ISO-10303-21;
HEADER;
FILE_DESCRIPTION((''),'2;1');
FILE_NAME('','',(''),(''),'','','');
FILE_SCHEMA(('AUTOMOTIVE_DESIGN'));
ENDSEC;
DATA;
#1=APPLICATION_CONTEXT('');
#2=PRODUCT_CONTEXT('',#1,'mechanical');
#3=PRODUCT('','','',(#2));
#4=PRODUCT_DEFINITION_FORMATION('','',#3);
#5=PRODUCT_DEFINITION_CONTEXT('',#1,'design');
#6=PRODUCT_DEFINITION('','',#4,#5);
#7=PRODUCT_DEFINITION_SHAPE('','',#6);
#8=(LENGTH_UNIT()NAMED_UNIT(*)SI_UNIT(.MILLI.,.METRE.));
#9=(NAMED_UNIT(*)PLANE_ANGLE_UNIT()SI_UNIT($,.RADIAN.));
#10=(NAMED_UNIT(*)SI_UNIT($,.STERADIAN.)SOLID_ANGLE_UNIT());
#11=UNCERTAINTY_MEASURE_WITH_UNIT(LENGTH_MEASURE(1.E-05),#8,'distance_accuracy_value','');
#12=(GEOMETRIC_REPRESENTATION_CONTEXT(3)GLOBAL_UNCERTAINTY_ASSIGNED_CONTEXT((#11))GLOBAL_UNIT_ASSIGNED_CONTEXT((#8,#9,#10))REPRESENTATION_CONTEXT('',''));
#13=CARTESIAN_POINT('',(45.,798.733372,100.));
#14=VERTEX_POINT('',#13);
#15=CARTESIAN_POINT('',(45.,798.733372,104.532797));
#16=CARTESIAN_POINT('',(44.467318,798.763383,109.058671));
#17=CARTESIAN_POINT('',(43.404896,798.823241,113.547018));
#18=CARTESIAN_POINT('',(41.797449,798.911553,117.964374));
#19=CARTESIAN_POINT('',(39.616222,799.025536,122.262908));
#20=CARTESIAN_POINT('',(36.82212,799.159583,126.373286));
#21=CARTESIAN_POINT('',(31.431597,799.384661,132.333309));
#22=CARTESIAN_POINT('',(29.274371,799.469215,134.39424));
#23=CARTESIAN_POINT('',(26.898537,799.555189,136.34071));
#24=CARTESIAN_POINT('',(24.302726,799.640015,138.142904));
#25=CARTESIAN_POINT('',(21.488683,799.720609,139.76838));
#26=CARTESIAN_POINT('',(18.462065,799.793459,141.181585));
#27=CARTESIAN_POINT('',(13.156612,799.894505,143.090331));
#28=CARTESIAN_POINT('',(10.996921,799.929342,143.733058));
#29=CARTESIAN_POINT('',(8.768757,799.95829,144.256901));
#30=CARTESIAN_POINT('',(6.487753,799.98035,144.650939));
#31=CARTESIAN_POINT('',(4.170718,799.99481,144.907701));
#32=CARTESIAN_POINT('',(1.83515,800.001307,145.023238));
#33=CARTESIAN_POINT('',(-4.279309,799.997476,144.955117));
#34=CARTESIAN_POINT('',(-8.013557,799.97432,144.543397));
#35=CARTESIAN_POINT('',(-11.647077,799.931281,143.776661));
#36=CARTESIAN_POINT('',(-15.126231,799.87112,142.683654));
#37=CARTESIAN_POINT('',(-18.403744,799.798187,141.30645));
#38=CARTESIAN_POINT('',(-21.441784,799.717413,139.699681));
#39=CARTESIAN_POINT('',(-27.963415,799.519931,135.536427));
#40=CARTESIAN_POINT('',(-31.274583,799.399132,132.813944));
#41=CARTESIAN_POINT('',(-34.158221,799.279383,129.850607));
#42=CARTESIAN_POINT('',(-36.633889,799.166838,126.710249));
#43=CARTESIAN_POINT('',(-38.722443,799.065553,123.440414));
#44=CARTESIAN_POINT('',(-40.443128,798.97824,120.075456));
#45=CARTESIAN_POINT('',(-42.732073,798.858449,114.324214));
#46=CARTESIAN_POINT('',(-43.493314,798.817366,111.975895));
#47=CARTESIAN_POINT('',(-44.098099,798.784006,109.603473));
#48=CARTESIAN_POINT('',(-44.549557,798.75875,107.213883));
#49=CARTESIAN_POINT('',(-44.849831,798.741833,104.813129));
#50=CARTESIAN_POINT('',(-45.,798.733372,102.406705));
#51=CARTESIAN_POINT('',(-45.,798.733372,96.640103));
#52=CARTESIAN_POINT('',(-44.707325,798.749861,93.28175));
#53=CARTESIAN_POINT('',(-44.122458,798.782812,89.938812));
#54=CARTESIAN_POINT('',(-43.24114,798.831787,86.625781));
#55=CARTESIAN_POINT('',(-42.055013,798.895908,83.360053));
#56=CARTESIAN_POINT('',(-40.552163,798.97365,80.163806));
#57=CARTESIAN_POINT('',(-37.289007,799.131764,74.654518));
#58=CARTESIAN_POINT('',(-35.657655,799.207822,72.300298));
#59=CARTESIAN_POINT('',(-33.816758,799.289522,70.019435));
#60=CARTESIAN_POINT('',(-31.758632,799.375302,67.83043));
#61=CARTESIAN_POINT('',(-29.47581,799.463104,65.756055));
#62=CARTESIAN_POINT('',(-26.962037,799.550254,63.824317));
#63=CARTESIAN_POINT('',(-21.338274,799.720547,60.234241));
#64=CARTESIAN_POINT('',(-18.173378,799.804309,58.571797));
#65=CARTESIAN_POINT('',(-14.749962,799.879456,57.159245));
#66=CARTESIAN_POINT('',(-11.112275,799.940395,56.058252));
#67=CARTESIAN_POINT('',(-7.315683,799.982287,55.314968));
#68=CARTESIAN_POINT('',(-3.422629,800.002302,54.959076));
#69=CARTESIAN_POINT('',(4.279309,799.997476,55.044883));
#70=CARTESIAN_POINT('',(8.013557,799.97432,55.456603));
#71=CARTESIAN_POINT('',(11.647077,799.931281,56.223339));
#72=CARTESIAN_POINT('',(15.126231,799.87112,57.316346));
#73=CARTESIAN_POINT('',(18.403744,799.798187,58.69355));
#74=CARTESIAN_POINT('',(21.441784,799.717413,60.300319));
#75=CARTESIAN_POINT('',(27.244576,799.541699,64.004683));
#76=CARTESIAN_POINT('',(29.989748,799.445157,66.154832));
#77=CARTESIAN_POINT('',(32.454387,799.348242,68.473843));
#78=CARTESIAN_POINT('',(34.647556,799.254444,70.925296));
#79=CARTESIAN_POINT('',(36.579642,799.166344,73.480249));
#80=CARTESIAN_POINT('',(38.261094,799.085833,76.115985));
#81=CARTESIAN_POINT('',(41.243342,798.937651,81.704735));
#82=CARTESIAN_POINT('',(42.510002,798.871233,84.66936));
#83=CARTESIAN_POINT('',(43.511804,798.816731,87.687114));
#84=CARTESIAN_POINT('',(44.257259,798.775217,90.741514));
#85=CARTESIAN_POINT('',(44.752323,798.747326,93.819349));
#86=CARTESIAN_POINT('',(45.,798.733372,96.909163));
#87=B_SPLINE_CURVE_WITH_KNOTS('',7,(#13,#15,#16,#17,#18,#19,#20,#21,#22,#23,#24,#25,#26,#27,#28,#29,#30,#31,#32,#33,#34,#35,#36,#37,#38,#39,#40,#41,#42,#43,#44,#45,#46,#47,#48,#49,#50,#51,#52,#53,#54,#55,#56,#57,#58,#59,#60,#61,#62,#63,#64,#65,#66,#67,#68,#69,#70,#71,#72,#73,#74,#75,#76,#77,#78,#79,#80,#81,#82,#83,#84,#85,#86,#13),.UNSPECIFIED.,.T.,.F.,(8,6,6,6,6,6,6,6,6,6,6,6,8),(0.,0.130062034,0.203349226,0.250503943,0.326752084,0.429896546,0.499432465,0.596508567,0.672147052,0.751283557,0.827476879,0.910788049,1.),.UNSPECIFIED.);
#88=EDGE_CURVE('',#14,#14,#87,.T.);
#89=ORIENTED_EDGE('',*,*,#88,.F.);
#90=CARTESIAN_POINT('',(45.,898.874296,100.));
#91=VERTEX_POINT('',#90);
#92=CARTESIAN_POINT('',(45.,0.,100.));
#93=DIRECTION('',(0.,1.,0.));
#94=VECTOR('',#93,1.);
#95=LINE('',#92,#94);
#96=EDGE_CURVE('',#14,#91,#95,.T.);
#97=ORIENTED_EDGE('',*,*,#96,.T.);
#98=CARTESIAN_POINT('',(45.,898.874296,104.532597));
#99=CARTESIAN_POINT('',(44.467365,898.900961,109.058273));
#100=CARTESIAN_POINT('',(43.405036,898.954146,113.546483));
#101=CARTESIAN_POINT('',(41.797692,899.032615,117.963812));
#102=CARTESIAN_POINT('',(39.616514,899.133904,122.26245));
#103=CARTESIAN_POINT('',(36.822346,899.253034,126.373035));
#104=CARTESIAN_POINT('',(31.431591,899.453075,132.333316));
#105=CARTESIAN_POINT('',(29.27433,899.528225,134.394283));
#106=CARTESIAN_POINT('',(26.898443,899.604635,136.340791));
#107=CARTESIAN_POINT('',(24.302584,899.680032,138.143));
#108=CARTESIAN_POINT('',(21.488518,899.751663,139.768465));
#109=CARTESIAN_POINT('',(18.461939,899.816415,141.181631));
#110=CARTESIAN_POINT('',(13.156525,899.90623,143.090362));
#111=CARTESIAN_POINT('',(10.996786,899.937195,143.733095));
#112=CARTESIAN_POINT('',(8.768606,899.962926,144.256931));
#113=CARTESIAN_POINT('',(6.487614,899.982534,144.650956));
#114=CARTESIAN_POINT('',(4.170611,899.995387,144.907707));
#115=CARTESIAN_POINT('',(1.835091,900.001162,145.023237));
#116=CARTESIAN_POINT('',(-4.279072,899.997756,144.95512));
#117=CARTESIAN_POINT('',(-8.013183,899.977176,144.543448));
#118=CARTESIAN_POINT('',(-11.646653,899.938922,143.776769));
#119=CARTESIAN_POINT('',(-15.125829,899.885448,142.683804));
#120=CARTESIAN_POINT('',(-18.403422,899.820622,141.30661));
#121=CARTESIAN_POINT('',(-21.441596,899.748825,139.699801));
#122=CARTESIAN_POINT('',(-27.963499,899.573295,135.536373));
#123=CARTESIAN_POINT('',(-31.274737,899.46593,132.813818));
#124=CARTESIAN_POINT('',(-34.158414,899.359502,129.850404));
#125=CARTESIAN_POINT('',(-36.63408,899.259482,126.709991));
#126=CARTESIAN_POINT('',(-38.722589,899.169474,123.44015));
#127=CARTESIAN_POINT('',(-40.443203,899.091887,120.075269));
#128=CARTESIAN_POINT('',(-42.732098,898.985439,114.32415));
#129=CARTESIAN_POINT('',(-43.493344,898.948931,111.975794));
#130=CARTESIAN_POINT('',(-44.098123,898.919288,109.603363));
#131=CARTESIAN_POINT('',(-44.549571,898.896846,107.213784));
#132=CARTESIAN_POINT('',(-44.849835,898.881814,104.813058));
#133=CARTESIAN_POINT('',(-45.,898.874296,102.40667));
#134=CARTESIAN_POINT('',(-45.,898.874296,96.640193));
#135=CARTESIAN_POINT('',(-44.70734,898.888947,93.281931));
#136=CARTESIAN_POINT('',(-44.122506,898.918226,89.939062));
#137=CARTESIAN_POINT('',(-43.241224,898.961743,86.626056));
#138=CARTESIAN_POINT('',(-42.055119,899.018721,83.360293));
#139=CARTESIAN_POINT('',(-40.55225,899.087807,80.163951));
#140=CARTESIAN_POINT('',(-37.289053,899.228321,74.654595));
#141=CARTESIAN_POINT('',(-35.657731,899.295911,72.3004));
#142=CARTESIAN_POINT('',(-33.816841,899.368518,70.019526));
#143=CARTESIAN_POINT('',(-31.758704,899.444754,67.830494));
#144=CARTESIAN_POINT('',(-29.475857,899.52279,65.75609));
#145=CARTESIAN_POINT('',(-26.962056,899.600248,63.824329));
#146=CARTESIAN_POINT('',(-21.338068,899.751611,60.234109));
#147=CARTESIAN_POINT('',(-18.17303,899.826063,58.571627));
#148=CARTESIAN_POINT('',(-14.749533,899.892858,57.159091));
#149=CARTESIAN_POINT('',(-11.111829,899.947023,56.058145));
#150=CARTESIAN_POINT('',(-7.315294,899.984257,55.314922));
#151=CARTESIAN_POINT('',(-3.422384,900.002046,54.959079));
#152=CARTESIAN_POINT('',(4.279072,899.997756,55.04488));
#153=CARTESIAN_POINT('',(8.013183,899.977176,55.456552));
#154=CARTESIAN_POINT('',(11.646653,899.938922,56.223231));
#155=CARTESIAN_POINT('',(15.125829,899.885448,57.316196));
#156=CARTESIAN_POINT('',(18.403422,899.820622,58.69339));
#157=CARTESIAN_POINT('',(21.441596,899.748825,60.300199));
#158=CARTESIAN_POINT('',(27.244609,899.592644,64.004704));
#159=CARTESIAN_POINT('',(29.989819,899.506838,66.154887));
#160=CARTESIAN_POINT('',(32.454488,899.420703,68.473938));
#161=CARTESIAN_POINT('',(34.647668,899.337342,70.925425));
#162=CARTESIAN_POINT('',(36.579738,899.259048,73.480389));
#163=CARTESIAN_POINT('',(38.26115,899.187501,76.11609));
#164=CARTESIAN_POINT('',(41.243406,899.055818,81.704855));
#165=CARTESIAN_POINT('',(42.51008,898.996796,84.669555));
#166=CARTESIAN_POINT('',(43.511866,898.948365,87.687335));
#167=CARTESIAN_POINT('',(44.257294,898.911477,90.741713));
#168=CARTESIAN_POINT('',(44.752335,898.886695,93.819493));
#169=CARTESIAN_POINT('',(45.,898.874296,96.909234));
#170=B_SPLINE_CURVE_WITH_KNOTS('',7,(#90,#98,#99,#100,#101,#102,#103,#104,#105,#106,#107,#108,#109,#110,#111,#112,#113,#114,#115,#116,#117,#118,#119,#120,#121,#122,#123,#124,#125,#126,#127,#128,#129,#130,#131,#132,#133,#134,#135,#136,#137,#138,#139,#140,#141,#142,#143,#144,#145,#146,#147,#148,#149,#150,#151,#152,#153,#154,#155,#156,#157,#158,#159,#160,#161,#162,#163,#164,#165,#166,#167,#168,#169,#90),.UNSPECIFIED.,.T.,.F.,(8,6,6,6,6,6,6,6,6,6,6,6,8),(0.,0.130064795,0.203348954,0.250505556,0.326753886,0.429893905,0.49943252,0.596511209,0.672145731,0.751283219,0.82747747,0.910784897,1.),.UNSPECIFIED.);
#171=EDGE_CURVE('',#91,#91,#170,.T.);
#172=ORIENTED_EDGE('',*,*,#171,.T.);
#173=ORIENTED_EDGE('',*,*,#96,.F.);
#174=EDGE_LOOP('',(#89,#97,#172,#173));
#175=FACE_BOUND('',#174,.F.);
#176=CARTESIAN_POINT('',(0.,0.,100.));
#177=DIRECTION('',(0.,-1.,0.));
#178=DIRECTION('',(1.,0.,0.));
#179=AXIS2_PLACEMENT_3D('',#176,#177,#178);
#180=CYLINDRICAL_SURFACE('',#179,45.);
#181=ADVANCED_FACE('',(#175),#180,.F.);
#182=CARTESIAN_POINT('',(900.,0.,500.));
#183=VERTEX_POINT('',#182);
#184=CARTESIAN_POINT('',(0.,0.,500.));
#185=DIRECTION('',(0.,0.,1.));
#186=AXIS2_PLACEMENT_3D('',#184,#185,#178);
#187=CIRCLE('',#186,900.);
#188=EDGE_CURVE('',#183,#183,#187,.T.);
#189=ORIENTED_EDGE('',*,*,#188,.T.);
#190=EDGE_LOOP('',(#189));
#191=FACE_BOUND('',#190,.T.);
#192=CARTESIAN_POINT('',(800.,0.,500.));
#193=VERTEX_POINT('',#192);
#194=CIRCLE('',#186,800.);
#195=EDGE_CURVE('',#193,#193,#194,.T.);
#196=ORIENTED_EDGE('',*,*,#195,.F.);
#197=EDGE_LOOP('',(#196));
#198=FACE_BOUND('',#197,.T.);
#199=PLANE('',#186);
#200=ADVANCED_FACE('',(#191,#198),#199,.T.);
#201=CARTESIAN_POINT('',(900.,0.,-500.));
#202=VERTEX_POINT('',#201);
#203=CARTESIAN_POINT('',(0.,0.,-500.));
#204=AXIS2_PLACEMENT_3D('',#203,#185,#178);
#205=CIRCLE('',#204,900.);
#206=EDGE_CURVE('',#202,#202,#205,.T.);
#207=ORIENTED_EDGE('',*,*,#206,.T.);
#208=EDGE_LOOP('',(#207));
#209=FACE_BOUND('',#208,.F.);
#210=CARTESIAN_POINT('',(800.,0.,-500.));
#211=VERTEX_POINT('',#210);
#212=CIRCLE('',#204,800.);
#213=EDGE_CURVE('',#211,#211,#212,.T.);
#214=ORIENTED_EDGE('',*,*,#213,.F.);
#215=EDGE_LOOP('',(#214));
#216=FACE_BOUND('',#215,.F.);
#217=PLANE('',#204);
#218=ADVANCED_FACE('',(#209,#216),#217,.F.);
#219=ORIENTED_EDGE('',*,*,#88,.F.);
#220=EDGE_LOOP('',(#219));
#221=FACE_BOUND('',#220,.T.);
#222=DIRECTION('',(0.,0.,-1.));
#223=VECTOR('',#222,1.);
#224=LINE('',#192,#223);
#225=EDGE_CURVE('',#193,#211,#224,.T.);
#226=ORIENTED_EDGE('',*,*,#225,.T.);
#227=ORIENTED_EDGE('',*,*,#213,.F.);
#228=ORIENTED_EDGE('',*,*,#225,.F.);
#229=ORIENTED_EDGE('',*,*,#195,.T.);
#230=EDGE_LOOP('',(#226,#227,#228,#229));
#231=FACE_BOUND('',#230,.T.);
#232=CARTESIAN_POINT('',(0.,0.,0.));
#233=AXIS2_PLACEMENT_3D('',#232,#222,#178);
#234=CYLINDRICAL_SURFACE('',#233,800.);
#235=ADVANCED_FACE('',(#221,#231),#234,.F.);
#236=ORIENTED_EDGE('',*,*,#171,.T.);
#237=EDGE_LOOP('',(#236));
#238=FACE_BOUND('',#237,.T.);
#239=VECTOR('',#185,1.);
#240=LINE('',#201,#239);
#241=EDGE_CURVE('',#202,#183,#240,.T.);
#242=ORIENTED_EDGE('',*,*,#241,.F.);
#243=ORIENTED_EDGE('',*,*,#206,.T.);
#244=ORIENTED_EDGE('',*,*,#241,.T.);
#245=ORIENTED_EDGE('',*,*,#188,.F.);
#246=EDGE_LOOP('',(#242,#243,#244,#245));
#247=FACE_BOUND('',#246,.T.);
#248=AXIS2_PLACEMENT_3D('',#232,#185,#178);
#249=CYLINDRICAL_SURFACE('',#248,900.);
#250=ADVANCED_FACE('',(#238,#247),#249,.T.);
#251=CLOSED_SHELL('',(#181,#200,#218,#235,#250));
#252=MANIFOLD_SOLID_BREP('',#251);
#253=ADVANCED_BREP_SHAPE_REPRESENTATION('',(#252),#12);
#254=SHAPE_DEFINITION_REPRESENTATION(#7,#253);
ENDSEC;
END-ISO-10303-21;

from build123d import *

# Parameters (mm, degrees)
F0_R     = 900
F0_R_2   = 800
F1_DEPTH = 500
F2_R     = 45
F3_DEPTH = 1000


with BuildPart() as f1:
    # F0 (on Top) → F1 (new body, symmetric)
    with BuildSketch(Plane.XY):
        Circle(F0_R)
        Circle(F0_R_2, mode=Mode.SUBTRACT)
    extrude(amount=F1_DEPTH, both=True)

    # F2 (on Front) → F3 (cut)
    with BuildSketch(Plane.XZ):
        with Locations((0, 100)):
            Circle(F2_R)
    extrude(amount=-F3_DEPTH, mode=Mode.SUBTRACT)


solid = f1.part
